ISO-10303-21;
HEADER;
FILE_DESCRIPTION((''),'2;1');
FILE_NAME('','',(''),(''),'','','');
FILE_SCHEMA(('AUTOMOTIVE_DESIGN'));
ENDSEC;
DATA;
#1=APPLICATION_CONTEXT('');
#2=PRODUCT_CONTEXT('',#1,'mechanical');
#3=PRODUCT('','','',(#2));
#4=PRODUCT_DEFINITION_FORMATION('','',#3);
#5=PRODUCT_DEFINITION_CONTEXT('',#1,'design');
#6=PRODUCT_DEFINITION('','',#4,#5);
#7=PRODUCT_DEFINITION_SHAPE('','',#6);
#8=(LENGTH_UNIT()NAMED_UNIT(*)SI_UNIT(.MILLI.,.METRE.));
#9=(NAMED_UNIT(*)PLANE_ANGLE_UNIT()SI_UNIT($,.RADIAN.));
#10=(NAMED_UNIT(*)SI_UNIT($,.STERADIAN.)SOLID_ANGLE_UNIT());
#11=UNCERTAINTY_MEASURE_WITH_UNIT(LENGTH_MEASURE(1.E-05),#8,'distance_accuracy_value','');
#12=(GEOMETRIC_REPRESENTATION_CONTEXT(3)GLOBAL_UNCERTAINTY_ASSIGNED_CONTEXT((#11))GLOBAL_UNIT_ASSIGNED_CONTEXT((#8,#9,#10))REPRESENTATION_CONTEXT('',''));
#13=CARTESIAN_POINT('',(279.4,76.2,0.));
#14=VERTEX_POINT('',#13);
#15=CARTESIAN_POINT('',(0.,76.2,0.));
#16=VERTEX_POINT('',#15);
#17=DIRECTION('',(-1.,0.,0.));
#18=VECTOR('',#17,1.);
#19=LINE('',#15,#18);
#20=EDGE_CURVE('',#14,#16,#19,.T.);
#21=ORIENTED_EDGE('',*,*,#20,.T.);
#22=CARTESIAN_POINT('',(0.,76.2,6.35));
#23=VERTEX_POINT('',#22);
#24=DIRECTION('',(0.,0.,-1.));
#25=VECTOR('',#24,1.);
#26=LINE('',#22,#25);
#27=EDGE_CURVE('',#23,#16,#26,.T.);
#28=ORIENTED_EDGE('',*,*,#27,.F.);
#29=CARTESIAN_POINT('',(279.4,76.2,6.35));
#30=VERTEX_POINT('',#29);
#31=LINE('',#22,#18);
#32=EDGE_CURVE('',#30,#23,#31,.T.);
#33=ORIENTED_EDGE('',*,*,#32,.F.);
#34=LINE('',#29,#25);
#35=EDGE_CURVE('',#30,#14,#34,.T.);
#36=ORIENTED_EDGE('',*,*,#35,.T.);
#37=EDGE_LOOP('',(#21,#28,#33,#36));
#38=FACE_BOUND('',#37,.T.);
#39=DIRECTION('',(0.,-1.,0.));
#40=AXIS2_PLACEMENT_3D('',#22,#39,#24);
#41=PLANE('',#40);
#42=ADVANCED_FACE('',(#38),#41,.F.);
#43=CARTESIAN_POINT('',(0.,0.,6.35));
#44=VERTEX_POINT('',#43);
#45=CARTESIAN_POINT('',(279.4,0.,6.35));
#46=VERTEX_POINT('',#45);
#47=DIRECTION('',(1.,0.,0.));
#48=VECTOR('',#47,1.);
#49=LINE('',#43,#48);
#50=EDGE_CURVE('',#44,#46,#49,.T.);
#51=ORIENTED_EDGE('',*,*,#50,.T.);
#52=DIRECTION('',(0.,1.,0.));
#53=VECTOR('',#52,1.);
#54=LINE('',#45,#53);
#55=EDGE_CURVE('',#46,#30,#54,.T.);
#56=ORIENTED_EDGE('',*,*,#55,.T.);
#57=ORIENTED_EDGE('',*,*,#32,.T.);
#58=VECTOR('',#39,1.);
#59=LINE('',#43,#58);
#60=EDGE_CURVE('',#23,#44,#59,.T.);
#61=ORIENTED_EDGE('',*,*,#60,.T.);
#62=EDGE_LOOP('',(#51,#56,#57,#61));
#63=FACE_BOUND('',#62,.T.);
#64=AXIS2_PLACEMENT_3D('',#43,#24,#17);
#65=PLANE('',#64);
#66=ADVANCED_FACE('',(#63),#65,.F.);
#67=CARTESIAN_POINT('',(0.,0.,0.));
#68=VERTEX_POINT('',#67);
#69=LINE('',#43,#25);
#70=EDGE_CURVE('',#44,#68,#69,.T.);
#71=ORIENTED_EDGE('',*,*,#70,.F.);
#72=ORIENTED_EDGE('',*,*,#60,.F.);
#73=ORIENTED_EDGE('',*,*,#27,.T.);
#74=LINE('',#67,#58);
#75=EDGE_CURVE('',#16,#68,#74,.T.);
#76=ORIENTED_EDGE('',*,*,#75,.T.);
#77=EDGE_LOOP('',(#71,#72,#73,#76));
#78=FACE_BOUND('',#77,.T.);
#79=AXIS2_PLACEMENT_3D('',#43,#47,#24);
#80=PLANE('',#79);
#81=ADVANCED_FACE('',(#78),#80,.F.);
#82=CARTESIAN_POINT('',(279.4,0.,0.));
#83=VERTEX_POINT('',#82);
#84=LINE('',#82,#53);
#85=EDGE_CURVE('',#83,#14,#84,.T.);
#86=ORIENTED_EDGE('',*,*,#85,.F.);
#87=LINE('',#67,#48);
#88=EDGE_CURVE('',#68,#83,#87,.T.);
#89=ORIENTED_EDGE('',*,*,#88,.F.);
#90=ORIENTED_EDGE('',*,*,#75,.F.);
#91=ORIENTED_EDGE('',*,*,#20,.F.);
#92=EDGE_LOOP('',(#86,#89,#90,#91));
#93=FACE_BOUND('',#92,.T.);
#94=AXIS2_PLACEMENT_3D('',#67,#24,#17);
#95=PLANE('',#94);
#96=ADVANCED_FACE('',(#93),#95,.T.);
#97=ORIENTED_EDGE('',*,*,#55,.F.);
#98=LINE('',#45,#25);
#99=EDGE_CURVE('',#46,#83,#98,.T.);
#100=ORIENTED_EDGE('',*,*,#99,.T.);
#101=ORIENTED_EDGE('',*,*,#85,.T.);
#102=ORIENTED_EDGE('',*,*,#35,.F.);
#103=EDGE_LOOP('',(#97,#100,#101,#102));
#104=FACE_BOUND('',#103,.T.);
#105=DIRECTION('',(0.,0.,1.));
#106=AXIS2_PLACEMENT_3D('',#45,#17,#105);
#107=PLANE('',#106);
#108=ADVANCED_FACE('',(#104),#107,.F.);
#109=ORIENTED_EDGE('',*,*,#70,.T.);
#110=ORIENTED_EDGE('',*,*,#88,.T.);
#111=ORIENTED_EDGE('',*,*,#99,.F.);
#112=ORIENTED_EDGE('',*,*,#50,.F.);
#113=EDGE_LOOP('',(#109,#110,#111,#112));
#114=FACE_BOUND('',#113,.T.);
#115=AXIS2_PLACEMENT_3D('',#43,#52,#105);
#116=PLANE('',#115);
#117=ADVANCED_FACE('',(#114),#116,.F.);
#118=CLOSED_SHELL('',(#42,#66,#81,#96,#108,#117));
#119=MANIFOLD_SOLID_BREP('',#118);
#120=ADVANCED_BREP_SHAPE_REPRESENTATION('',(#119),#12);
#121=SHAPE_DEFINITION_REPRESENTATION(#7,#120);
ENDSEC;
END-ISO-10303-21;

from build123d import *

# Parameters (mm, degrees)
SKETCH1_W           = 279.4
SKETCH1_H           = 76.2
BOSS_EXTRUDE1_DEPTH = 6.35


with BuildPart() as part:
    # Sketch1 → Boss-Extrude1 (new body)
    with BuildSketch(Plane.XY):
        with Locations((139.7, 38.1)):
            Rectangle(SKETCH1_W, SKETCH1_H)
    extrude(amount=BOSS_EXTRUDE1_DEPTH)


solid = part.part
